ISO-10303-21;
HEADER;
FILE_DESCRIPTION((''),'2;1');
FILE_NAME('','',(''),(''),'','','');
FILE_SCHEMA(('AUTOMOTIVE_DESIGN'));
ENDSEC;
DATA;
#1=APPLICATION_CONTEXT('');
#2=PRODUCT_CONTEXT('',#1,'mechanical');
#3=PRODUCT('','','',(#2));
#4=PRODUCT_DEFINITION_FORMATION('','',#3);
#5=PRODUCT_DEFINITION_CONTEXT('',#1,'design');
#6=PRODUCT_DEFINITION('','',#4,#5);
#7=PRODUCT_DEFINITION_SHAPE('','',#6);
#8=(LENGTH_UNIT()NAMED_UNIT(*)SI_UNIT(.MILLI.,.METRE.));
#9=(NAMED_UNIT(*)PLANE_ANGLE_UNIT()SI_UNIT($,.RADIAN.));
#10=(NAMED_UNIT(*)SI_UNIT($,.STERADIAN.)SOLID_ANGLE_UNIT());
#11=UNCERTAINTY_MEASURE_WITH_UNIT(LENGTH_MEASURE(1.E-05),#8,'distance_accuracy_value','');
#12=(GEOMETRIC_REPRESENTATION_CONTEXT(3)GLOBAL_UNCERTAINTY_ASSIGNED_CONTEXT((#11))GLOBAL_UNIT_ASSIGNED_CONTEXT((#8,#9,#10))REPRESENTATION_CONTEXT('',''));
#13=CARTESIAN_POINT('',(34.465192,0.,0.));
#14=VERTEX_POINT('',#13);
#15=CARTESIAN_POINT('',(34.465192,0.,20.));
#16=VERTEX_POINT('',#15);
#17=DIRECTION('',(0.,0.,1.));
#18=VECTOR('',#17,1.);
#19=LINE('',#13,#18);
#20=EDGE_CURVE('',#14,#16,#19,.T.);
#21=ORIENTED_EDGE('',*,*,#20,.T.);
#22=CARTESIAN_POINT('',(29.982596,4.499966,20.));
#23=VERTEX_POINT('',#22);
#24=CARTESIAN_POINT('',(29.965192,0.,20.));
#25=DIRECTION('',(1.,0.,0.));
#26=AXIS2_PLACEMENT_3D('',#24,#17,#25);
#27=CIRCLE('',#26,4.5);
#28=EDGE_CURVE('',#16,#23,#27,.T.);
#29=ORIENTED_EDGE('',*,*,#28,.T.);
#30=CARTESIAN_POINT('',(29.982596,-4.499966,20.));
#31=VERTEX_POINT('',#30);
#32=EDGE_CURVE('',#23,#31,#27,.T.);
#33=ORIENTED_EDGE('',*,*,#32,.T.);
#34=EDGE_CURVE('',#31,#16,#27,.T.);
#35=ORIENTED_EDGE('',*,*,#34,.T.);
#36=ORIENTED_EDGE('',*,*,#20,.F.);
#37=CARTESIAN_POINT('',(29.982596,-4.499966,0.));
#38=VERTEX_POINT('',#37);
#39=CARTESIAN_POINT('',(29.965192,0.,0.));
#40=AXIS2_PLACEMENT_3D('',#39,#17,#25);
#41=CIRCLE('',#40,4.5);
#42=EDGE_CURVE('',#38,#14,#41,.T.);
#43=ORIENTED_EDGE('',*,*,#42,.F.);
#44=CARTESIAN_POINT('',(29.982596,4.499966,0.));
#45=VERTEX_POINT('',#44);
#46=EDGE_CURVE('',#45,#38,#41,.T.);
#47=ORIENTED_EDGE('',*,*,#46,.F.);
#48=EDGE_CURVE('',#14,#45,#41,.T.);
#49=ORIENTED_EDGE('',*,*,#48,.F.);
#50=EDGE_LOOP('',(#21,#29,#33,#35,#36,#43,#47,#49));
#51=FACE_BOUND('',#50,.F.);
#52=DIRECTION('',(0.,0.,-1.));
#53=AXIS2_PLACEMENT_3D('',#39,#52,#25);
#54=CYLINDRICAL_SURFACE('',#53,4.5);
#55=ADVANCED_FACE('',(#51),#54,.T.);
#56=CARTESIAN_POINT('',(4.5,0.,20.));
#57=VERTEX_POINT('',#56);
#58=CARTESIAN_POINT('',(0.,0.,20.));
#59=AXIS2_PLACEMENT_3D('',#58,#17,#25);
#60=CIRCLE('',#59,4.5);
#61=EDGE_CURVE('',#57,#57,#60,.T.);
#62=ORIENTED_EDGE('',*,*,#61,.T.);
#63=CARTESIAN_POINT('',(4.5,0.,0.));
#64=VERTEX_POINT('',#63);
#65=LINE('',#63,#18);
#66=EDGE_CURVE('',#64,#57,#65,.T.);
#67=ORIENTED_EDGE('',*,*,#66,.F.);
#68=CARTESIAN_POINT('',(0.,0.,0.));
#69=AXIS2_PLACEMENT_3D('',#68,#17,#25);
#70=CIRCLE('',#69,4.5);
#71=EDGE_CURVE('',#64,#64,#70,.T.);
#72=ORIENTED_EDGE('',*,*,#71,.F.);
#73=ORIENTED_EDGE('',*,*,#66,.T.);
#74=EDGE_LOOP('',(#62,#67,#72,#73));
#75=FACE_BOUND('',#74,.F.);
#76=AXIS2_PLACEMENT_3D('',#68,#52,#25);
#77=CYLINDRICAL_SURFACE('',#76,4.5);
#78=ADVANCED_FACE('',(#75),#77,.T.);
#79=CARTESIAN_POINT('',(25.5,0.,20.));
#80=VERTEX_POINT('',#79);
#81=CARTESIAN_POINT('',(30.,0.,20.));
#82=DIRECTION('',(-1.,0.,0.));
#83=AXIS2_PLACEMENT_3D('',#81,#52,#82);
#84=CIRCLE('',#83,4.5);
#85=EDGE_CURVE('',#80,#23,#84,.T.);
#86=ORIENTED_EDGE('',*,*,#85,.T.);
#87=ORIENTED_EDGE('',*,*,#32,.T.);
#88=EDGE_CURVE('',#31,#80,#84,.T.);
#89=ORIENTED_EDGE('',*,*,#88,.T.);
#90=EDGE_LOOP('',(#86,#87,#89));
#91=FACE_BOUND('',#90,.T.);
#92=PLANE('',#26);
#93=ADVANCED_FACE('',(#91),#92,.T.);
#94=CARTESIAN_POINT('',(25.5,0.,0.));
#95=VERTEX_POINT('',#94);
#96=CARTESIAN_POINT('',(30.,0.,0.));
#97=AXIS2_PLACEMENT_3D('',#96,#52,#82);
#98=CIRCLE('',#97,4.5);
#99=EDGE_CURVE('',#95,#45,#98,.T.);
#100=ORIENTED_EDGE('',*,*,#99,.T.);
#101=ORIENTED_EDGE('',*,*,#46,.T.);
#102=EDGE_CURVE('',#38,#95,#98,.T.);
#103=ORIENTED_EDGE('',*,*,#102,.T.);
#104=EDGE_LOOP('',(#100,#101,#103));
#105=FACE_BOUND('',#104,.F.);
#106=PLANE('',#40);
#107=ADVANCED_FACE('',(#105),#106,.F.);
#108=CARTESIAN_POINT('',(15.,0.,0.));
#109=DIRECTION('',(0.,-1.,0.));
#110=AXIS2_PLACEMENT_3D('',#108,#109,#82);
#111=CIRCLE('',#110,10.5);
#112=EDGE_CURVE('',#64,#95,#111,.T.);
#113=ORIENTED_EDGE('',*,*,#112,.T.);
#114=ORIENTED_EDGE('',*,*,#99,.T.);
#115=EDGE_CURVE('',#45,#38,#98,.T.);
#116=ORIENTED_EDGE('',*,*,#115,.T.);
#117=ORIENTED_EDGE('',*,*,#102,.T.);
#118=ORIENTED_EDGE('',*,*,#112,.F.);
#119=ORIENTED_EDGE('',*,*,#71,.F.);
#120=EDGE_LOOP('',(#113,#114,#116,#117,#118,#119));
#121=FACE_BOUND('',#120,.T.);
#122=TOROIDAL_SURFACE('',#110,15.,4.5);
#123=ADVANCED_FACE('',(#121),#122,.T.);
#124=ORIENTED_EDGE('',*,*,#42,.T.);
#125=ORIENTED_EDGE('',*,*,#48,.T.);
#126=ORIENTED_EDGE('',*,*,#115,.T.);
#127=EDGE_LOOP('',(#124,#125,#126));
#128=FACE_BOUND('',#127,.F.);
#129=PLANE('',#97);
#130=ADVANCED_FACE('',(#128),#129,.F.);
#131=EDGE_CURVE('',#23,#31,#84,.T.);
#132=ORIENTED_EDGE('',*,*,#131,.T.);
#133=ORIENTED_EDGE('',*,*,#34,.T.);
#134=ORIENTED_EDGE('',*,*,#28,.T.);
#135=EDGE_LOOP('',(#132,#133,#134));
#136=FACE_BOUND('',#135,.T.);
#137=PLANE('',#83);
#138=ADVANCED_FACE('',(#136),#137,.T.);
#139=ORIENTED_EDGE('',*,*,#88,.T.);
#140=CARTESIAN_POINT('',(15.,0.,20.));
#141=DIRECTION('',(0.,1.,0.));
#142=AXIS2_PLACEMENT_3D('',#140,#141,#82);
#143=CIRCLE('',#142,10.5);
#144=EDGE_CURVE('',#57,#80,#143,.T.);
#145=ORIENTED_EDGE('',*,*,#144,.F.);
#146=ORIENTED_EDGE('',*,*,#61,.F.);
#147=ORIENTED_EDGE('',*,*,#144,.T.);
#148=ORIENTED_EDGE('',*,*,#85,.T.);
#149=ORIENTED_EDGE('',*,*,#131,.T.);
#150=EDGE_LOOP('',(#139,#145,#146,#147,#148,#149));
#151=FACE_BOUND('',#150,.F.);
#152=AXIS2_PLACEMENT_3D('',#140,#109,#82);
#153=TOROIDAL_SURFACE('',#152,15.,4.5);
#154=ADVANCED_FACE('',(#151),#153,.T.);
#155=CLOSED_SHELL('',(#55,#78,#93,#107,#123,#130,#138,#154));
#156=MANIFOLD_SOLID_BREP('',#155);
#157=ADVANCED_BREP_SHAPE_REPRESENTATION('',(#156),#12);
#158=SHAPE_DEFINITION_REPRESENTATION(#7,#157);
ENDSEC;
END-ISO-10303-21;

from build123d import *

# Parameters (mm, degrees)
F0_R     = 4.5
F1_ANGLE = 180
F2_R     = 4.5
F3_DEPTH = 20
F4_R     = 4.5
F5_ANGLE = -180


with BuildPart() as f1:
    # F0 (on Top) → F1 (revolve)
    with BuildSketch(Plane.XY):
        Circle(F0_R)
    revolve(axis=Axis((15, -1.705776, 0), (0, -1, 0)), revolution_arc=F1_ANGLE)

    # F2 (on face) → F3 (join)
    with BuildSketch(Plane.XY):
        with Locations((29.965192, 0)):
            Circle(F2_R)
        Circle(F2_R)
    extrude(amount=F3_DEPTH)

    # F4 (on face) → F5 (revolve)
    with BuildSketch(Plane.XY.offset(20)):
        Circle(F4_R)
    revolve(axis=Axis((15, -0.568592, 20), (0, -1, 0)), revolution_arc=F5_ANGLE)


solid = f1.part
